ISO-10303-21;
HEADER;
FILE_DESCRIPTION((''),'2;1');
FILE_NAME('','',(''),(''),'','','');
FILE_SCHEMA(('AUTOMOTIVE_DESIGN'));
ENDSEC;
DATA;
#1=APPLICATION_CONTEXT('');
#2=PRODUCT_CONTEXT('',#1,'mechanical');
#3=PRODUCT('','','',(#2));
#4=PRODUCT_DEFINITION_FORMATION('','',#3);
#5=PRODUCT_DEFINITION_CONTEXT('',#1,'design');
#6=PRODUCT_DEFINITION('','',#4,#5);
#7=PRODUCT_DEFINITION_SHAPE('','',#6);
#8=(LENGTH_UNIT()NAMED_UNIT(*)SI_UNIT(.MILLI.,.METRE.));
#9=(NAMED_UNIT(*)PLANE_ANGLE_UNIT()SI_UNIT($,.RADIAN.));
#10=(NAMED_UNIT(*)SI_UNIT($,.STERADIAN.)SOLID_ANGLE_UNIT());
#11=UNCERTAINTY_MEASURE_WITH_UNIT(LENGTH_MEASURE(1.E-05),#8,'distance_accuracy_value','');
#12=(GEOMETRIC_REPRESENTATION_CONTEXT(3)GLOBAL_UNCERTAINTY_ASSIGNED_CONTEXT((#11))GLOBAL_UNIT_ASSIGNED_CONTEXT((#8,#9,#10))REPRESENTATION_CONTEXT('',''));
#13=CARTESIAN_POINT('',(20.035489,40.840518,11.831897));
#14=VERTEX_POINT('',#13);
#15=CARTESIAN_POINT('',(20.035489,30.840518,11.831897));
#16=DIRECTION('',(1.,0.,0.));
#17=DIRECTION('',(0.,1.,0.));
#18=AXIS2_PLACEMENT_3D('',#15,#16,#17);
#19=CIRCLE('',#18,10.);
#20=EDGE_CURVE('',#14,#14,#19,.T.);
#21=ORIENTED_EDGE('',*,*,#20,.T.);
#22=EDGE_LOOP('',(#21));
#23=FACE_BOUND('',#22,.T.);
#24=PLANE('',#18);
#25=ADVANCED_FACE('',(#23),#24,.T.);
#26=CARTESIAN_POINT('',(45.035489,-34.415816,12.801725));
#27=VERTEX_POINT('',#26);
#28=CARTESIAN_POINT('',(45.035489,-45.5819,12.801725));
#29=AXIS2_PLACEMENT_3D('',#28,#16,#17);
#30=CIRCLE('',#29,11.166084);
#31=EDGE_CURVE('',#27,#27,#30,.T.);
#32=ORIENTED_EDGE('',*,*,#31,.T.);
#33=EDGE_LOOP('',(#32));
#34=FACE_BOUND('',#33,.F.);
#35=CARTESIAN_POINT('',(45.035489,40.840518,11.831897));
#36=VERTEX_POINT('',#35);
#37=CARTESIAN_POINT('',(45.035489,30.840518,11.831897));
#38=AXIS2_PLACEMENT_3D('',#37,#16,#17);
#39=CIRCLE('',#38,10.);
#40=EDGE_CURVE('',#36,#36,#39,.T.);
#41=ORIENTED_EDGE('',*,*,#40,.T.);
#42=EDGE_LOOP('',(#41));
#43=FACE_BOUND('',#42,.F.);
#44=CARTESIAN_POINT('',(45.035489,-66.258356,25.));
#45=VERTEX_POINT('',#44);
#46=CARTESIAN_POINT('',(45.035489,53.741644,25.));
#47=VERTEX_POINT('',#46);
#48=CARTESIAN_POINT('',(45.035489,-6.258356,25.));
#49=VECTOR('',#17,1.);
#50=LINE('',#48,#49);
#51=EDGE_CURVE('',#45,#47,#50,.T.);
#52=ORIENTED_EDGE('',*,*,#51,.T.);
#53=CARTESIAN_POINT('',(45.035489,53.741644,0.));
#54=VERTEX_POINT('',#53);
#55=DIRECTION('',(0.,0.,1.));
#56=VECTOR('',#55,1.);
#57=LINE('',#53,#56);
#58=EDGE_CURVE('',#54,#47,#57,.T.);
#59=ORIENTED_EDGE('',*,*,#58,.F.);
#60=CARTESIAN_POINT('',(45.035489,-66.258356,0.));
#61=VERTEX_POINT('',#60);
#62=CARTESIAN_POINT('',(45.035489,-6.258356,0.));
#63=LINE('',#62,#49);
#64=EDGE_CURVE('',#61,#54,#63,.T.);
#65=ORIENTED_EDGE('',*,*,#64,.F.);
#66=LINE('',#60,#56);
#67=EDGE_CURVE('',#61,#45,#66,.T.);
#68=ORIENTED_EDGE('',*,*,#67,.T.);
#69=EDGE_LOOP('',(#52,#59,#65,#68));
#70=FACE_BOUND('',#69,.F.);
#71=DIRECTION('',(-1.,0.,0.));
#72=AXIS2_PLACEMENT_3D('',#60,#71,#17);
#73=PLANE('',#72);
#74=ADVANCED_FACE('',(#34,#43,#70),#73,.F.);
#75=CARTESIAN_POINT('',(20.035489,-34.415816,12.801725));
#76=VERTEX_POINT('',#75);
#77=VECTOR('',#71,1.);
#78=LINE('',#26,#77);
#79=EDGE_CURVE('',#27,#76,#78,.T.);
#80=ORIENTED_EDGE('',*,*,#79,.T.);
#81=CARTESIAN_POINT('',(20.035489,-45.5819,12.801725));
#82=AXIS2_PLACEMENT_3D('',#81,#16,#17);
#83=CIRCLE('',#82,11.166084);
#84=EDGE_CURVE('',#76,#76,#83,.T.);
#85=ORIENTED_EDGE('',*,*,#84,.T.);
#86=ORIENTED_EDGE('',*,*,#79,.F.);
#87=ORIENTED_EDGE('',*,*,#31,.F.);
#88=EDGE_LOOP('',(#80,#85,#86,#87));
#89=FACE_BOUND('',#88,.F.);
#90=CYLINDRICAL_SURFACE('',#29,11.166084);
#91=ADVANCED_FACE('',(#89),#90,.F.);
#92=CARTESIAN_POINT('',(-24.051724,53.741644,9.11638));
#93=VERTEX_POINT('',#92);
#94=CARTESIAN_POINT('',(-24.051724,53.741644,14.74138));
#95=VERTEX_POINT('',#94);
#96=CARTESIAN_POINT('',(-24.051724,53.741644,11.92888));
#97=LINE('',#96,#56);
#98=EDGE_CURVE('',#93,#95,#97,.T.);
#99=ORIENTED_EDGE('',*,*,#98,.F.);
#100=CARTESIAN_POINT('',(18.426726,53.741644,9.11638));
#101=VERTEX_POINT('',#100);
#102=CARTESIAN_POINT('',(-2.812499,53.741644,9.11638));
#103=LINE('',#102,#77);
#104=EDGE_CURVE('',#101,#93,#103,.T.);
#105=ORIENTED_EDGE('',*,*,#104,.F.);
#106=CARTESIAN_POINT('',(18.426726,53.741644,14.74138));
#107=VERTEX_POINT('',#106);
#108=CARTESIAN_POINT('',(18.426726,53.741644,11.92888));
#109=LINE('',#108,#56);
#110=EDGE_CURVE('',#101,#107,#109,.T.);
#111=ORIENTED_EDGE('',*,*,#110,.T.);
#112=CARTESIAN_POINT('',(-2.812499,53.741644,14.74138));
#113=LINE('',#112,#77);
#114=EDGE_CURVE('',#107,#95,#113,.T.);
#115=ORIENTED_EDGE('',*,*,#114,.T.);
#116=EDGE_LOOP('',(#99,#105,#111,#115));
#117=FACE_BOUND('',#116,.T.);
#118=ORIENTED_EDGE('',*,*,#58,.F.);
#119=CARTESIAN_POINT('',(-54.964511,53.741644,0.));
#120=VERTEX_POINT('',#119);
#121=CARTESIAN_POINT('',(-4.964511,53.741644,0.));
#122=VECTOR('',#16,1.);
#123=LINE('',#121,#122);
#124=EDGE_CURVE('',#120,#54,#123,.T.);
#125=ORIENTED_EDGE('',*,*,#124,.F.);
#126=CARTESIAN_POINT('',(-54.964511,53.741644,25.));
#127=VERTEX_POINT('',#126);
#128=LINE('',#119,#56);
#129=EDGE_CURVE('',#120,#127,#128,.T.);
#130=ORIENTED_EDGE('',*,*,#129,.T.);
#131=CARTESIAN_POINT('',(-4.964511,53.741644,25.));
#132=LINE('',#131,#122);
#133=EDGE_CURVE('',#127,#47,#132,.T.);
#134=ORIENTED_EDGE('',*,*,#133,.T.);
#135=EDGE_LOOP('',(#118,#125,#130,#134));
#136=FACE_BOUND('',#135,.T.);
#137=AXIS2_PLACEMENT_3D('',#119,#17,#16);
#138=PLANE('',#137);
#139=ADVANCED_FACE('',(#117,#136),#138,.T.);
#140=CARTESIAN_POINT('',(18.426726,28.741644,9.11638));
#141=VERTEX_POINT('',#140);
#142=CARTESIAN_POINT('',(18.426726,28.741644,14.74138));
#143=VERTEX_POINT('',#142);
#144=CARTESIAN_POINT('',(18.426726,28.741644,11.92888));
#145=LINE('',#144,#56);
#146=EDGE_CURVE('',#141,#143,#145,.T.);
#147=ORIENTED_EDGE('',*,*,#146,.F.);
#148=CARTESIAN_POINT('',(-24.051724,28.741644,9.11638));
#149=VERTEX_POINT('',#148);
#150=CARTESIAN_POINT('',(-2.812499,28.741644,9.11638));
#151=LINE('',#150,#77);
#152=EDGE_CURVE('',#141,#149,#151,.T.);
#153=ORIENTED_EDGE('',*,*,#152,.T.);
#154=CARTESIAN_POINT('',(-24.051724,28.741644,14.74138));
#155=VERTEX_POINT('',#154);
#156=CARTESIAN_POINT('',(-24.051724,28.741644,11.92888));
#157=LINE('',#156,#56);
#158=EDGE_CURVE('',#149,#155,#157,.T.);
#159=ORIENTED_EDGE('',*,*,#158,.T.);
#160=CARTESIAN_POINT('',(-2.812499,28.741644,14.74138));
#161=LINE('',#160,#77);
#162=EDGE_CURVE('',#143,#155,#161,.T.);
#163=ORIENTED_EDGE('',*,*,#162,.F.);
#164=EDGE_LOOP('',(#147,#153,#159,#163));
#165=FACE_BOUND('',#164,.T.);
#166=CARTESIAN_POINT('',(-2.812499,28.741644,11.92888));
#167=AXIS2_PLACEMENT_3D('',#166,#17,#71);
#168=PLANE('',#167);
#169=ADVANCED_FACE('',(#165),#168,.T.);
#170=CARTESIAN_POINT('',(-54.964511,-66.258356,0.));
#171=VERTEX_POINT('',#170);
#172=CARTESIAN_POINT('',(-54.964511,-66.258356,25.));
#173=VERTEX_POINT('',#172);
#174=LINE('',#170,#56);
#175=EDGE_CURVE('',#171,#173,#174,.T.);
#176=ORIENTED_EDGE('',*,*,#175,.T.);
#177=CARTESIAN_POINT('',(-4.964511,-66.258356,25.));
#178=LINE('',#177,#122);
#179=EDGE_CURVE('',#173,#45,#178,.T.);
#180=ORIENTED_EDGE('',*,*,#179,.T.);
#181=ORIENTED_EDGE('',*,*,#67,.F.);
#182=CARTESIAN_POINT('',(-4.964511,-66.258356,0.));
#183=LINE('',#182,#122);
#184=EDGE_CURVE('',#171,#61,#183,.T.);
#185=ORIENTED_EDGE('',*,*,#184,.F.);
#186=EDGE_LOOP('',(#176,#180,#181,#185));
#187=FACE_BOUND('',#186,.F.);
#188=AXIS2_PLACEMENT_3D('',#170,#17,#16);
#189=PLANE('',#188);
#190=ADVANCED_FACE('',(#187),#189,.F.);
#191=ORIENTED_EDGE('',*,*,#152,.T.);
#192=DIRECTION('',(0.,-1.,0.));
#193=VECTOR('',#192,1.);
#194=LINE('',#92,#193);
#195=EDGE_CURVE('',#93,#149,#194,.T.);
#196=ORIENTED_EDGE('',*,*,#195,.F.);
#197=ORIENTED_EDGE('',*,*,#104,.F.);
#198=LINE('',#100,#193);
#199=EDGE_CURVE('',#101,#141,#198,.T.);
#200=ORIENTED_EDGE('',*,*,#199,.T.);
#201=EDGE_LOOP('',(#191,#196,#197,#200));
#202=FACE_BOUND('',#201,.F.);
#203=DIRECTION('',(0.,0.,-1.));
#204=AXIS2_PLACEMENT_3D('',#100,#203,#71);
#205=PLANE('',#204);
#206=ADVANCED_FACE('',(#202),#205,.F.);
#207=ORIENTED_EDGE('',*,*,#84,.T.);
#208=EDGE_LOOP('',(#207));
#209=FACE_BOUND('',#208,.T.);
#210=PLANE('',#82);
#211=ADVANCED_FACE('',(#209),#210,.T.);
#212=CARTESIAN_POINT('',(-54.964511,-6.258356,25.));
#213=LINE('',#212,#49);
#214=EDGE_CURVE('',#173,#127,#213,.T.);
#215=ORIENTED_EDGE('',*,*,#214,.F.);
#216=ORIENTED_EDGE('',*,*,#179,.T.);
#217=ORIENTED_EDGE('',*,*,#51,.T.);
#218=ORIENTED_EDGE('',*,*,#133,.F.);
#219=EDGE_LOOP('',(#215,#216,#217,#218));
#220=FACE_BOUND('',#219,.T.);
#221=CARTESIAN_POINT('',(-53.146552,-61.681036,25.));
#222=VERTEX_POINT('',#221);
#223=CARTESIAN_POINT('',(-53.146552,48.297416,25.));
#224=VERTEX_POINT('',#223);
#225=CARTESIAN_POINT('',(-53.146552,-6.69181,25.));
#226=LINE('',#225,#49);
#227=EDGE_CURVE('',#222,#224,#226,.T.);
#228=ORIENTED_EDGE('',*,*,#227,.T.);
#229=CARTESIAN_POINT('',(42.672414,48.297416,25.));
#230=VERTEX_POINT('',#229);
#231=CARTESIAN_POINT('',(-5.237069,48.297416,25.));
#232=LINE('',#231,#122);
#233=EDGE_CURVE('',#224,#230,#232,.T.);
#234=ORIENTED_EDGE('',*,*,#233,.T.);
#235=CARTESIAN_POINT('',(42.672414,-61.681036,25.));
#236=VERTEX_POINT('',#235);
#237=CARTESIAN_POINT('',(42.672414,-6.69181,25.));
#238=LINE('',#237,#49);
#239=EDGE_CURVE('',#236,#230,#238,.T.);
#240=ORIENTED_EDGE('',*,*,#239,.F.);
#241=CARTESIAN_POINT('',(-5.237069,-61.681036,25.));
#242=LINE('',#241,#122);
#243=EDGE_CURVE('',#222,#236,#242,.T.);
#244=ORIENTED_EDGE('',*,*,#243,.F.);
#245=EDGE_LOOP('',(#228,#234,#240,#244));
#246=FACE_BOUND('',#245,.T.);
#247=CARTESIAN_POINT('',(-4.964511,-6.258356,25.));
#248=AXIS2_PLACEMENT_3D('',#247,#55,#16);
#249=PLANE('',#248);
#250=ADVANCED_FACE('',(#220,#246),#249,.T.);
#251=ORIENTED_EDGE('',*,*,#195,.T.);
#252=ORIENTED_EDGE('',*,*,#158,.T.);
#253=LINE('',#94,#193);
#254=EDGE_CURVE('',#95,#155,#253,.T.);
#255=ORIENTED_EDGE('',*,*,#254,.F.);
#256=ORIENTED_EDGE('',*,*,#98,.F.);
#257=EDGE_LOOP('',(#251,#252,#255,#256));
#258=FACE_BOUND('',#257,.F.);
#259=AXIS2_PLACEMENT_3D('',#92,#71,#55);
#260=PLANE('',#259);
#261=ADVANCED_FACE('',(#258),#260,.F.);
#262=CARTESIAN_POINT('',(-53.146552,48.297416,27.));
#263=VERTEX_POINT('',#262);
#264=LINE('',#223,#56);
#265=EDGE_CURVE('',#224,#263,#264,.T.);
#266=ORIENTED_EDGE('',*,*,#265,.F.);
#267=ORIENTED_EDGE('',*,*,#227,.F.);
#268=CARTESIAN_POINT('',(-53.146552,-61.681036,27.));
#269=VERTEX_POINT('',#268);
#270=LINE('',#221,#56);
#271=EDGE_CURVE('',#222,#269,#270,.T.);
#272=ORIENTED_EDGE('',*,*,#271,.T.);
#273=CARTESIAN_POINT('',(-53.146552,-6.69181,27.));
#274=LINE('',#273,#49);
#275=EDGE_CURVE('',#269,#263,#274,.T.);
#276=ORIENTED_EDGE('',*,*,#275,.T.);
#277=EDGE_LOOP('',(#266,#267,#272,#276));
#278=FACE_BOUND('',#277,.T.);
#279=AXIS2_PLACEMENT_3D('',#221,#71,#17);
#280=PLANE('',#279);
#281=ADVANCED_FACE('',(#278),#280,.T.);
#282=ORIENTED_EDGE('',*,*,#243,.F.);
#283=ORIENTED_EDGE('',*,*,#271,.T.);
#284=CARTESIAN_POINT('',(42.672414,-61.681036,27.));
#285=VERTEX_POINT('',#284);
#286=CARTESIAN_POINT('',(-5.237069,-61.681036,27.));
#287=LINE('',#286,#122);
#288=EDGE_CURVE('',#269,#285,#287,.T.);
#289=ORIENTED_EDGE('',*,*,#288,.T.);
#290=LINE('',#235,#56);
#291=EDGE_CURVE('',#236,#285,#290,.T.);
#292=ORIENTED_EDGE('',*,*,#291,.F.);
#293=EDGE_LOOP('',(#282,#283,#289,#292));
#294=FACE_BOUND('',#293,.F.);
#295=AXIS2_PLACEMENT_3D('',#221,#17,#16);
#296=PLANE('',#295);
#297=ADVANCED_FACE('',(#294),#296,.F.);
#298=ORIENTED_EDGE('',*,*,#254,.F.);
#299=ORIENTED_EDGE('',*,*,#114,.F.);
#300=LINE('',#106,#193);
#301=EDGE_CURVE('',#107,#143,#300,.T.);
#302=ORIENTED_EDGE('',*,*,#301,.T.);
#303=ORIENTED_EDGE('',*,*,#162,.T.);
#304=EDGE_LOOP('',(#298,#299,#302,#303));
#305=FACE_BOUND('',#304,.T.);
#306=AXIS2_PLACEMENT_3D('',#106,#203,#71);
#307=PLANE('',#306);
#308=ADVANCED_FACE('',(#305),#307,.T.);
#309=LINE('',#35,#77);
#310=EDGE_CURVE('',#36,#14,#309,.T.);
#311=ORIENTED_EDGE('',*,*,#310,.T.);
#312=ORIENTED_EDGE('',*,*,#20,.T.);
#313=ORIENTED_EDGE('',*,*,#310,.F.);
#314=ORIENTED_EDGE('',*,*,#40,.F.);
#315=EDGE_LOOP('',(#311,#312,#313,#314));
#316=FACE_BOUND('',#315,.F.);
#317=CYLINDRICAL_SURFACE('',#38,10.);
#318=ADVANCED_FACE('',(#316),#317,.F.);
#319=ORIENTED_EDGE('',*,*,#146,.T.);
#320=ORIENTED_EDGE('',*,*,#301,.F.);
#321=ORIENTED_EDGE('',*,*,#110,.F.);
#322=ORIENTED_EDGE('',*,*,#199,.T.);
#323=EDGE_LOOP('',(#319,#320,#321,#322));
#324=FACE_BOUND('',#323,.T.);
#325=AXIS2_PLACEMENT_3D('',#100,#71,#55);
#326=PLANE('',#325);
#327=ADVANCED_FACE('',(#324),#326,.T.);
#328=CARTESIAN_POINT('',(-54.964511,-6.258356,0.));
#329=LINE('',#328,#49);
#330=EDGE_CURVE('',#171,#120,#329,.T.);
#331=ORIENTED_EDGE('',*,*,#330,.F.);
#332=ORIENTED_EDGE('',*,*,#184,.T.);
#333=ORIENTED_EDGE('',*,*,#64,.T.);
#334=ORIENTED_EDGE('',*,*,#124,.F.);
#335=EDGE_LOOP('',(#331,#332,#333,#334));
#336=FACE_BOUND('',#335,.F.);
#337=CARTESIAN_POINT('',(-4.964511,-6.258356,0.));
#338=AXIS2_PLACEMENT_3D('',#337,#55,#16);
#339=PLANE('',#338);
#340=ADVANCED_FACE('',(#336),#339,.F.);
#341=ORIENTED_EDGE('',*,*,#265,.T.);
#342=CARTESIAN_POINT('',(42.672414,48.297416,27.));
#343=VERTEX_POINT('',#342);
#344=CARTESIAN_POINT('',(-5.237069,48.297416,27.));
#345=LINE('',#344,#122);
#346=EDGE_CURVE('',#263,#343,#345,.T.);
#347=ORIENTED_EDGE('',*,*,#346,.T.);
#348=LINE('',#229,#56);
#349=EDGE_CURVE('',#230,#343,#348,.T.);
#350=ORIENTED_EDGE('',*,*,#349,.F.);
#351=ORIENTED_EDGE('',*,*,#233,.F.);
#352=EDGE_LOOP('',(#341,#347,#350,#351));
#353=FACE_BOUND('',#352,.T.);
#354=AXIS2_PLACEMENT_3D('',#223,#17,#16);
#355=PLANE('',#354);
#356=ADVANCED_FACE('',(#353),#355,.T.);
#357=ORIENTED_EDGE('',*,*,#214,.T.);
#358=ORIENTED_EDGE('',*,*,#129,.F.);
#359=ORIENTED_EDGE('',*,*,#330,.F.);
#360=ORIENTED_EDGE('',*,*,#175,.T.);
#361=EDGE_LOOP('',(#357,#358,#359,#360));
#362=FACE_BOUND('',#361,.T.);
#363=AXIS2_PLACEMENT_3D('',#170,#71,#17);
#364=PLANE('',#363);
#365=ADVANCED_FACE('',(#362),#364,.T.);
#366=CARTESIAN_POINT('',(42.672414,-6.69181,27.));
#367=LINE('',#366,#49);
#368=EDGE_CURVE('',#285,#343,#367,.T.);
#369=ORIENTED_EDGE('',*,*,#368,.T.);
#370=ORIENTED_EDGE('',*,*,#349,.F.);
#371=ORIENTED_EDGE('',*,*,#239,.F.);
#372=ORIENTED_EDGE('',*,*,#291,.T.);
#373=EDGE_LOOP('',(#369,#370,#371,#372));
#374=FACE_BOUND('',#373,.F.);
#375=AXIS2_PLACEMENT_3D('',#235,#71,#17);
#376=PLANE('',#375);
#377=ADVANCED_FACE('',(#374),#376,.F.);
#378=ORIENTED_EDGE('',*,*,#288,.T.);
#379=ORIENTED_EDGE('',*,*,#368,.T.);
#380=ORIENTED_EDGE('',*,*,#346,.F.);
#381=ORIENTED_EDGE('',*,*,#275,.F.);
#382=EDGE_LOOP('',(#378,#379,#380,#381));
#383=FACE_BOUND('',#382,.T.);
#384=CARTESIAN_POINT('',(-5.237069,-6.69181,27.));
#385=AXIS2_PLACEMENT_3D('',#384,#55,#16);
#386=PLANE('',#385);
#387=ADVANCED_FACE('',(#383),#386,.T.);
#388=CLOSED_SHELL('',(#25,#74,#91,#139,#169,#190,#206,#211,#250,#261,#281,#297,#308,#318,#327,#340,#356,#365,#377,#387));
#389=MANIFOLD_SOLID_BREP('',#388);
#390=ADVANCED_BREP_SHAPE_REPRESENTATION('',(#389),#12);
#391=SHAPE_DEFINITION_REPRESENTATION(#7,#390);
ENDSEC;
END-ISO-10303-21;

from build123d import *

# Parameters (mm, degrees)
F0_W     = 100
F0_H     = 120
F1_DEPTH = 25
F2_R     = 11.166084
F3_DEPTH = 25
F4_R     = 10
F5_DEPTH = 25
F7_W     = 95.818966
F7_H     = 109.978452
F8_DEPTH = 2
F6_W     = 42.47845
F6_H     = 5.625
F9_DEPTH = 25


with BuildPart() as f1:
    # F0 (on Top) → F1 (new body)
    with BuildSketch(Plane.XY):
        with Locations((-4.964511, -6.258356)):
            Rectangle(F0_W, F0_H)
    extrude(amount=F1_DEPTH)

    # F2 (on face) → F3 (cut)
    with BuildSketch(Plane.YZ.offset(45.035489)):
        with Locations((-45.5819, 12.801725)):
            Circle(F2_R)
    extrude(amount=-F3_DEPTH, mode=Mode.SUBTRACT)

    # F4 (on face) → F5 (cut)
    with BuildSketch(Plane.YZ.offset(45.035489)):
        with Locations((30.840518, 11.831897)):
            Circle(F4_R)
    extrude(amount=-F5_DEPTH, mode=Mode.SUBTRACT)

    # F7 (on face) → F8 (join)
    with BuildSketch(Plane.XY.offset(25)):
        with Locations((-5.237069, -6.69181)):
            Rectangle(F7_W, F7_H)
    extrude(amount=F8_DEPTH)

    # F6 (on face) → F9 (cut)
    with BuildSketch(Plane(origin=(0, 53.741644, 0), x_dir=(-1, 0, 0), z_dir=(0, 1, 0))):
        with Locations((2.812499, 11.92888)):
            Rectangle(F6_W, F6_H)
    extrude(amount=-F9_DEPTH, mode=Mode.SUBTRACT)


solid = f1.part
